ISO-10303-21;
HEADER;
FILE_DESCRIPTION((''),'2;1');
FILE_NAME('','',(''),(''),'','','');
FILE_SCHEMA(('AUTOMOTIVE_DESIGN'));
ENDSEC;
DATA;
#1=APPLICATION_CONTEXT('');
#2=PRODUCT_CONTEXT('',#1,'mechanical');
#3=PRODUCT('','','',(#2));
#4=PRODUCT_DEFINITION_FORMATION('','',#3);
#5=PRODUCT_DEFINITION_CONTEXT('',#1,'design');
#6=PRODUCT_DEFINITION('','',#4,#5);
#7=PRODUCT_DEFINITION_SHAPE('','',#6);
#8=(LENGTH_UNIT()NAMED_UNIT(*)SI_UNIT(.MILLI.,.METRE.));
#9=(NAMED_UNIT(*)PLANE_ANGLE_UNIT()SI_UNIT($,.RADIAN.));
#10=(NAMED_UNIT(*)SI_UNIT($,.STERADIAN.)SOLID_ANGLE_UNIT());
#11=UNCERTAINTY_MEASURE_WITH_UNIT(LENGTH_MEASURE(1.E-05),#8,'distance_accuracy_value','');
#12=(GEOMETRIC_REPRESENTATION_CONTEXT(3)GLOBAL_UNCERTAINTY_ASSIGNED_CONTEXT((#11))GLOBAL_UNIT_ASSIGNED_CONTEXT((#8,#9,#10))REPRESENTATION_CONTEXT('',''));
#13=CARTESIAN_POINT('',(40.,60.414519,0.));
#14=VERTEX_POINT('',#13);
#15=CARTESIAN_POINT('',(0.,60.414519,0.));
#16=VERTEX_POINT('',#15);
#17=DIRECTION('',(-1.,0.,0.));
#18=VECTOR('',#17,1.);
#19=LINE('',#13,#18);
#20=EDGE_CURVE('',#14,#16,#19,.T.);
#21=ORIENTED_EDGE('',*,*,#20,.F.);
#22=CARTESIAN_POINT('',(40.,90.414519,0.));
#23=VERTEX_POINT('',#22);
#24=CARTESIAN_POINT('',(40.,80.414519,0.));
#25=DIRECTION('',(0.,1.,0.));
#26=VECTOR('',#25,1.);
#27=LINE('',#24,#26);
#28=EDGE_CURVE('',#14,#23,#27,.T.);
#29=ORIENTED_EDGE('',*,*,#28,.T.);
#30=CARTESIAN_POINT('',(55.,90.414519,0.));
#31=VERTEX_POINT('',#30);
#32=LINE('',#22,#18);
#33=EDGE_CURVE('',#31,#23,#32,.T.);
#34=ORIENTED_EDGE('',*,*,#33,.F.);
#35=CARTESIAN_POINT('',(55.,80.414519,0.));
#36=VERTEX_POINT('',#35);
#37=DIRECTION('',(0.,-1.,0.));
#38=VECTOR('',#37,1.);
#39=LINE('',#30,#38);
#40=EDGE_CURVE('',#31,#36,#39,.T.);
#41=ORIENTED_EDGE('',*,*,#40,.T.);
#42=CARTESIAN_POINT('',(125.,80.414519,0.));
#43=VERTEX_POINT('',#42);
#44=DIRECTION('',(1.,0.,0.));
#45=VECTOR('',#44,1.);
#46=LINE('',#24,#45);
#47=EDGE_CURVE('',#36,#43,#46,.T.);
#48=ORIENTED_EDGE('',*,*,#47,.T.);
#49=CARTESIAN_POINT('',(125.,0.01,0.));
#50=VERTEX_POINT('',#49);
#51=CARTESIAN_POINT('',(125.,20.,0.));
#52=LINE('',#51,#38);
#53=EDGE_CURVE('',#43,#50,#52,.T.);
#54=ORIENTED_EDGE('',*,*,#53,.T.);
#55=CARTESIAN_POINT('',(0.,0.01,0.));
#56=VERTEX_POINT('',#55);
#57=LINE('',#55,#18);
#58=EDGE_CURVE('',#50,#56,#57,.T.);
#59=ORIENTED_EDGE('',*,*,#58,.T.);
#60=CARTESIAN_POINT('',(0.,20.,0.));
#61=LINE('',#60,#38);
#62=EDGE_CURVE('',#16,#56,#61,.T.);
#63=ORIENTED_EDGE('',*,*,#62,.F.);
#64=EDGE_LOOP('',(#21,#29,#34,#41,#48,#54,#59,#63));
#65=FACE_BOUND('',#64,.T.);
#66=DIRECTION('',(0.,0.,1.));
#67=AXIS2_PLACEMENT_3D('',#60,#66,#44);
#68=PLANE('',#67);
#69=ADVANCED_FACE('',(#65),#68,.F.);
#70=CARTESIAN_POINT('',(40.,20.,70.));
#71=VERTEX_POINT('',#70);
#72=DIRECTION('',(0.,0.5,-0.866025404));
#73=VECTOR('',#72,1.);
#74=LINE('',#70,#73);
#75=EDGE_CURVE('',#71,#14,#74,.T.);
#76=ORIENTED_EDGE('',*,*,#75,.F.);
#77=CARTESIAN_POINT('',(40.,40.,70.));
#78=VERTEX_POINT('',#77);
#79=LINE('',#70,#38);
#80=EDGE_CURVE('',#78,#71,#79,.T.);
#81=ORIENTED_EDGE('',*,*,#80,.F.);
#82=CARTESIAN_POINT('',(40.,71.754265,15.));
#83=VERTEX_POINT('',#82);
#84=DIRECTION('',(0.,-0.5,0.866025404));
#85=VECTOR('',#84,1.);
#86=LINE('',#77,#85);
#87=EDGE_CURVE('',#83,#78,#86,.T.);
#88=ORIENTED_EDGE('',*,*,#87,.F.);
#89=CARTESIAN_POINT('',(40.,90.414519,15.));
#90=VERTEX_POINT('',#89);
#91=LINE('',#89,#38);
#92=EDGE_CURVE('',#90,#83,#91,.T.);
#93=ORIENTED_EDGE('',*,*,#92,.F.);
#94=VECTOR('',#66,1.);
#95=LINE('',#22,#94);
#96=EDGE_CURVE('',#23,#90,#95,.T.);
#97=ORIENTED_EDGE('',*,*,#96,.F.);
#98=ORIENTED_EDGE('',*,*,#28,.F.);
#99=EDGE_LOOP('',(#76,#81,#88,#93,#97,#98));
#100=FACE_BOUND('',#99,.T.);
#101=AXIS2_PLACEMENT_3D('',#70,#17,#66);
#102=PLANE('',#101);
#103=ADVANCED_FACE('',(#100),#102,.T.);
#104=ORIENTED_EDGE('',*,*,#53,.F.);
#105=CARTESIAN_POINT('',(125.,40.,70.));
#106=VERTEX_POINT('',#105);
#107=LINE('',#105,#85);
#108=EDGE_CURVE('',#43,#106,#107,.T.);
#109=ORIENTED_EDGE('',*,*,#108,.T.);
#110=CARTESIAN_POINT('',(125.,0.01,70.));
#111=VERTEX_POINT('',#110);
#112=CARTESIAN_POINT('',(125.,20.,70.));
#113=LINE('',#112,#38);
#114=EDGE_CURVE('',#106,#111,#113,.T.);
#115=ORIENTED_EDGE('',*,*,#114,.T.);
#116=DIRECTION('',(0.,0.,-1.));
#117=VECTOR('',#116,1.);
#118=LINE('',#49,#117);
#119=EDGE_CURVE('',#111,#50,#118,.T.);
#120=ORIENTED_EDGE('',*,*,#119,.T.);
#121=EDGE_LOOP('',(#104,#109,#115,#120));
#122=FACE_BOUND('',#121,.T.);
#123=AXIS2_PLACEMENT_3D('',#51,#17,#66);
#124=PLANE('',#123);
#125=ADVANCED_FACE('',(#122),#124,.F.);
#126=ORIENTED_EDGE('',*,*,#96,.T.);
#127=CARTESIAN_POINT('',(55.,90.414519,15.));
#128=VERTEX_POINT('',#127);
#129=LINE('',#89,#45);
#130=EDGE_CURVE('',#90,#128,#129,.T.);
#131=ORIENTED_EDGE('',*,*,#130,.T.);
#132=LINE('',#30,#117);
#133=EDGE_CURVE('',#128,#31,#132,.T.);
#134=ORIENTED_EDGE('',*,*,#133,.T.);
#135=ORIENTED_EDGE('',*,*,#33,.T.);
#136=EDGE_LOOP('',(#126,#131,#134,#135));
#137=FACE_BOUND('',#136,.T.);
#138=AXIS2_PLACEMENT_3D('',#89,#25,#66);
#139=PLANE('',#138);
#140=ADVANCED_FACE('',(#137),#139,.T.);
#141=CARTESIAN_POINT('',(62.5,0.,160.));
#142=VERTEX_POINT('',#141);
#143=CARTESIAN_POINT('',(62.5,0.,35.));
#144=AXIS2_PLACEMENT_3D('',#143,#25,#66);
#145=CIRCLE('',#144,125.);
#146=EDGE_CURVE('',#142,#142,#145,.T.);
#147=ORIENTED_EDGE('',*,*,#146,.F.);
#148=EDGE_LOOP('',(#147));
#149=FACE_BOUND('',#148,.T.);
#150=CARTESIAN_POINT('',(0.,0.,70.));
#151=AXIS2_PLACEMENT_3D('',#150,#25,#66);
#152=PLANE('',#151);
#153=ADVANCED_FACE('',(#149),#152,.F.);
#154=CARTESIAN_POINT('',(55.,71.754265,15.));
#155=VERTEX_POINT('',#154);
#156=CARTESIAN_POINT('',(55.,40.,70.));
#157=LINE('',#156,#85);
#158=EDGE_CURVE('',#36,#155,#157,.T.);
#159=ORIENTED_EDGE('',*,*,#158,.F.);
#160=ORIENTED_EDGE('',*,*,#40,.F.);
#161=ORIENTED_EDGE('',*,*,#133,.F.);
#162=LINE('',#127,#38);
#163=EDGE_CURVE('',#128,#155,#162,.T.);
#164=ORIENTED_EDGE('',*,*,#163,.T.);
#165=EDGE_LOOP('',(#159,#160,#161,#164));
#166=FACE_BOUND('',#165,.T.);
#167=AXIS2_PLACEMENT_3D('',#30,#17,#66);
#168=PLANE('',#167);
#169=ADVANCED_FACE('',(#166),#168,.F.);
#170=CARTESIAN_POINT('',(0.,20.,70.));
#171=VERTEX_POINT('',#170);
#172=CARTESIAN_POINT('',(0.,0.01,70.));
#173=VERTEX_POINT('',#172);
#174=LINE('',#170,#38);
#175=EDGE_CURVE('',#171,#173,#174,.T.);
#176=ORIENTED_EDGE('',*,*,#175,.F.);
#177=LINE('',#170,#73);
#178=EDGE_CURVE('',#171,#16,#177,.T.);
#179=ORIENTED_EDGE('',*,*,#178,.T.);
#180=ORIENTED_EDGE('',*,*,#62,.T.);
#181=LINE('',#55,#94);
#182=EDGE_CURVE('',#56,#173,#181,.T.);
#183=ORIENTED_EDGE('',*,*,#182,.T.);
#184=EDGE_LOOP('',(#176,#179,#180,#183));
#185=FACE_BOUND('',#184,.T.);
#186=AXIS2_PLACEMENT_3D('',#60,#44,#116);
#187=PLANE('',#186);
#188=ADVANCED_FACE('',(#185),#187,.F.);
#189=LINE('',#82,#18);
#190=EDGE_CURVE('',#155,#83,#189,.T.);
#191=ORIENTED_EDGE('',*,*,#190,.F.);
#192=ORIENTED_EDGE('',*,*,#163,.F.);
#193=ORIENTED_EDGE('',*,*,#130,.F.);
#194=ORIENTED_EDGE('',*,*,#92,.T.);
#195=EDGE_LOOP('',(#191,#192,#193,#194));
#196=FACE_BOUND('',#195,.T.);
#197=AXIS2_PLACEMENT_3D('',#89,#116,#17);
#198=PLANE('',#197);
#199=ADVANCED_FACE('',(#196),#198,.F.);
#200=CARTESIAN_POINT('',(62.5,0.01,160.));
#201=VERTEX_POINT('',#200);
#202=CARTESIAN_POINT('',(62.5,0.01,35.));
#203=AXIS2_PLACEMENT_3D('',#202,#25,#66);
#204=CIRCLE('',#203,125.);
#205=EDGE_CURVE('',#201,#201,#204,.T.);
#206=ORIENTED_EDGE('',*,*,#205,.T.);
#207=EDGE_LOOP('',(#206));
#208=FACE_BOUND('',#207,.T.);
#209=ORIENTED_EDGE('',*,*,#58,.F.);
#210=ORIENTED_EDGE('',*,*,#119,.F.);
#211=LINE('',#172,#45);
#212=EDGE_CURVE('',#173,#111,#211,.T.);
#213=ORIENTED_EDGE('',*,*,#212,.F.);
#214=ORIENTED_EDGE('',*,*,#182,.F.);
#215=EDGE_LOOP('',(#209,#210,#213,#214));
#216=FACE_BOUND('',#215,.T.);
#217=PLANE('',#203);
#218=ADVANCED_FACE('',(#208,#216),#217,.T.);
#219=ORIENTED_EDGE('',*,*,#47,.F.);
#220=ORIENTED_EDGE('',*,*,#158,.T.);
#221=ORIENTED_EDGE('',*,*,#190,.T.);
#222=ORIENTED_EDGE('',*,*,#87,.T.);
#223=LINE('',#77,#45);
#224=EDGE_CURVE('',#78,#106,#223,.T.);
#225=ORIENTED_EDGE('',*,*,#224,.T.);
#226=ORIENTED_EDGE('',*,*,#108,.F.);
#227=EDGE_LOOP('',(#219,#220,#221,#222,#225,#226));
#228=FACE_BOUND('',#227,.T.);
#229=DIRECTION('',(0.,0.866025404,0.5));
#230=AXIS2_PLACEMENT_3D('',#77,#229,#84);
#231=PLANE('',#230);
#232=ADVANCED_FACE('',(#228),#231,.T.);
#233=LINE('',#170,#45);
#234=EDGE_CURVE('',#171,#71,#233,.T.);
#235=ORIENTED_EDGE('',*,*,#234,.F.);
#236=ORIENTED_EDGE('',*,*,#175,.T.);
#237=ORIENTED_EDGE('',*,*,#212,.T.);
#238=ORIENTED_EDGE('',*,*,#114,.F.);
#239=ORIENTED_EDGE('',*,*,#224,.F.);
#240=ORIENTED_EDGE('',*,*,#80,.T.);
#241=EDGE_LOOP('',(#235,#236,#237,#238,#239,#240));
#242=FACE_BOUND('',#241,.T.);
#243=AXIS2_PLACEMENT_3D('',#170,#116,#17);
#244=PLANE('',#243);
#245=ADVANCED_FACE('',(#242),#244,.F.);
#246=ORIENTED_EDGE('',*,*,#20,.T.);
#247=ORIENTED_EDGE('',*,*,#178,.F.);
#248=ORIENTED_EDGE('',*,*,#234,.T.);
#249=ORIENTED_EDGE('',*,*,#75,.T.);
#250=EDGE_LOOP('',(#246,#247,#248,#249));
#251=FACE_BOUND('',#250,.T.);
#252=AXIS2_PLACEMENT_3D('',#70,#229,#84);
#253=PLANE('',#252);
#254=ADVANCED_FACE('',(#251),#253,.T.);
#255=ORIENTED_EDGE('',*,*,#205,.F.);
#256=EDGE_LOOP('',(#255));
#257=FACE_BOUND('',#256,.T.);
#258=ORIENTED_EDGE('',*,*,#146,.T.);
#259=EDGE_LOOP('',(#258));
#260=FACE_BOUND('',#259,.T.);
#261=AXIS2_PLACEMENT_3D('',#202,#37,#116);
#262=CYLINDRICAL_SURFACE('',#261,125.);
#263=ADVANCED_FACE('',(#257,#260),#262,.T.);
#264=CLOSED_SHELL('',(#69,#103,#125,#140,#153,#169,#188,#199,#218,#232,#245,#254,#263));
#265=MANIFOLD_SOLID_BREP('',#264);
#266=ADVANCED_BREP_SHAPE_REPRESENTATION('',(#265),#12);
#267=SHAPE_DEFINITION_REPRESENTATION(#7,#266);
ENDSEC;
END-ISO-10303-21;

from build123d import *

# Parameters (mm, degrees)
SKETCH1_W           = 125
SKETCH1_H           = 70
EXTRUDE1_DEPTH      = 20
EXTRUDE2_DEPTH      = 40
EXTRUDE3_DEPTH      = 85
SKETCH5_W           = 15
SKETCH5_H           = 15
EXTRUDE5_DEPTH      = 10
EXTRUDE5_DEPTH_BACK = 20
SKETCH6_R           = 125
EXTRUDE6_DEPTH      = 0.01


with BuildPart() as part:
    # Sketch1 → Extrude1 (new body)
    with BuildSketch(Plane(origin=(0, 0, 0), x_dir=(1, 0, 0), z_dir=(0, 1, 0))):
        with Locations((62.5, -35)):
            Rectangle(SKETCH1_W, SKETCH1_H)
    extrude(amount=EXTRUDE1_DEPTH)

    # Sketch2 → Extrude2 (add)
    with BuildSketch(Plane.ZY):
        Polygon((0, 20), (70, 20), (0, 60.414518843), align=None)
    extrude(amount=-EXTRUDE2_DEPTH)

    # Sketch3 → Extrude3 (add)
    with BuildSketch(Plane(origin=(125, 0, 0), x_dir=(0, 0, -1), z_dir=(1, 0, 0))):
        Polygon((-70, 20), (-70, 40), (0, 80.414518843), (0, 20), align=None)
    extrude(amount=-EXTRUDE3_DEPTH)

    # Sketch5 → Extrude5 (add, two sides)
    with BuildSketch(Plane(origin=(0, 80.414518843, 0), x_dir=(-1, 0, 0), z_dir=(0, 1, 0))) as extrude5_sk:
        with Locations((-47.5, 7.5)):
            Rectangle(SKETCH5_W, SKETCH5_H)
    extrude(amount=EXTRUDE5_DEPTH)
    extrude(extrude5_sk.sketch, amount=-EXTRUDE5_DEPTH_BACK)

    # Sketch6 → Extrude6 (add)
    with BuildSketch(Plane(origin=(0, 0, 0), x_dir=(1, 0, 0), z_dir=(0, 1, 0))):
        with Locations(Location((62.5, -35, 0), (0, 0, 270))):  # turned: the seam where the file's is
            Circle(SKETCH6_R)
    extrude(amount=EXTRUDE6_DEPTH)


solid = part.part
